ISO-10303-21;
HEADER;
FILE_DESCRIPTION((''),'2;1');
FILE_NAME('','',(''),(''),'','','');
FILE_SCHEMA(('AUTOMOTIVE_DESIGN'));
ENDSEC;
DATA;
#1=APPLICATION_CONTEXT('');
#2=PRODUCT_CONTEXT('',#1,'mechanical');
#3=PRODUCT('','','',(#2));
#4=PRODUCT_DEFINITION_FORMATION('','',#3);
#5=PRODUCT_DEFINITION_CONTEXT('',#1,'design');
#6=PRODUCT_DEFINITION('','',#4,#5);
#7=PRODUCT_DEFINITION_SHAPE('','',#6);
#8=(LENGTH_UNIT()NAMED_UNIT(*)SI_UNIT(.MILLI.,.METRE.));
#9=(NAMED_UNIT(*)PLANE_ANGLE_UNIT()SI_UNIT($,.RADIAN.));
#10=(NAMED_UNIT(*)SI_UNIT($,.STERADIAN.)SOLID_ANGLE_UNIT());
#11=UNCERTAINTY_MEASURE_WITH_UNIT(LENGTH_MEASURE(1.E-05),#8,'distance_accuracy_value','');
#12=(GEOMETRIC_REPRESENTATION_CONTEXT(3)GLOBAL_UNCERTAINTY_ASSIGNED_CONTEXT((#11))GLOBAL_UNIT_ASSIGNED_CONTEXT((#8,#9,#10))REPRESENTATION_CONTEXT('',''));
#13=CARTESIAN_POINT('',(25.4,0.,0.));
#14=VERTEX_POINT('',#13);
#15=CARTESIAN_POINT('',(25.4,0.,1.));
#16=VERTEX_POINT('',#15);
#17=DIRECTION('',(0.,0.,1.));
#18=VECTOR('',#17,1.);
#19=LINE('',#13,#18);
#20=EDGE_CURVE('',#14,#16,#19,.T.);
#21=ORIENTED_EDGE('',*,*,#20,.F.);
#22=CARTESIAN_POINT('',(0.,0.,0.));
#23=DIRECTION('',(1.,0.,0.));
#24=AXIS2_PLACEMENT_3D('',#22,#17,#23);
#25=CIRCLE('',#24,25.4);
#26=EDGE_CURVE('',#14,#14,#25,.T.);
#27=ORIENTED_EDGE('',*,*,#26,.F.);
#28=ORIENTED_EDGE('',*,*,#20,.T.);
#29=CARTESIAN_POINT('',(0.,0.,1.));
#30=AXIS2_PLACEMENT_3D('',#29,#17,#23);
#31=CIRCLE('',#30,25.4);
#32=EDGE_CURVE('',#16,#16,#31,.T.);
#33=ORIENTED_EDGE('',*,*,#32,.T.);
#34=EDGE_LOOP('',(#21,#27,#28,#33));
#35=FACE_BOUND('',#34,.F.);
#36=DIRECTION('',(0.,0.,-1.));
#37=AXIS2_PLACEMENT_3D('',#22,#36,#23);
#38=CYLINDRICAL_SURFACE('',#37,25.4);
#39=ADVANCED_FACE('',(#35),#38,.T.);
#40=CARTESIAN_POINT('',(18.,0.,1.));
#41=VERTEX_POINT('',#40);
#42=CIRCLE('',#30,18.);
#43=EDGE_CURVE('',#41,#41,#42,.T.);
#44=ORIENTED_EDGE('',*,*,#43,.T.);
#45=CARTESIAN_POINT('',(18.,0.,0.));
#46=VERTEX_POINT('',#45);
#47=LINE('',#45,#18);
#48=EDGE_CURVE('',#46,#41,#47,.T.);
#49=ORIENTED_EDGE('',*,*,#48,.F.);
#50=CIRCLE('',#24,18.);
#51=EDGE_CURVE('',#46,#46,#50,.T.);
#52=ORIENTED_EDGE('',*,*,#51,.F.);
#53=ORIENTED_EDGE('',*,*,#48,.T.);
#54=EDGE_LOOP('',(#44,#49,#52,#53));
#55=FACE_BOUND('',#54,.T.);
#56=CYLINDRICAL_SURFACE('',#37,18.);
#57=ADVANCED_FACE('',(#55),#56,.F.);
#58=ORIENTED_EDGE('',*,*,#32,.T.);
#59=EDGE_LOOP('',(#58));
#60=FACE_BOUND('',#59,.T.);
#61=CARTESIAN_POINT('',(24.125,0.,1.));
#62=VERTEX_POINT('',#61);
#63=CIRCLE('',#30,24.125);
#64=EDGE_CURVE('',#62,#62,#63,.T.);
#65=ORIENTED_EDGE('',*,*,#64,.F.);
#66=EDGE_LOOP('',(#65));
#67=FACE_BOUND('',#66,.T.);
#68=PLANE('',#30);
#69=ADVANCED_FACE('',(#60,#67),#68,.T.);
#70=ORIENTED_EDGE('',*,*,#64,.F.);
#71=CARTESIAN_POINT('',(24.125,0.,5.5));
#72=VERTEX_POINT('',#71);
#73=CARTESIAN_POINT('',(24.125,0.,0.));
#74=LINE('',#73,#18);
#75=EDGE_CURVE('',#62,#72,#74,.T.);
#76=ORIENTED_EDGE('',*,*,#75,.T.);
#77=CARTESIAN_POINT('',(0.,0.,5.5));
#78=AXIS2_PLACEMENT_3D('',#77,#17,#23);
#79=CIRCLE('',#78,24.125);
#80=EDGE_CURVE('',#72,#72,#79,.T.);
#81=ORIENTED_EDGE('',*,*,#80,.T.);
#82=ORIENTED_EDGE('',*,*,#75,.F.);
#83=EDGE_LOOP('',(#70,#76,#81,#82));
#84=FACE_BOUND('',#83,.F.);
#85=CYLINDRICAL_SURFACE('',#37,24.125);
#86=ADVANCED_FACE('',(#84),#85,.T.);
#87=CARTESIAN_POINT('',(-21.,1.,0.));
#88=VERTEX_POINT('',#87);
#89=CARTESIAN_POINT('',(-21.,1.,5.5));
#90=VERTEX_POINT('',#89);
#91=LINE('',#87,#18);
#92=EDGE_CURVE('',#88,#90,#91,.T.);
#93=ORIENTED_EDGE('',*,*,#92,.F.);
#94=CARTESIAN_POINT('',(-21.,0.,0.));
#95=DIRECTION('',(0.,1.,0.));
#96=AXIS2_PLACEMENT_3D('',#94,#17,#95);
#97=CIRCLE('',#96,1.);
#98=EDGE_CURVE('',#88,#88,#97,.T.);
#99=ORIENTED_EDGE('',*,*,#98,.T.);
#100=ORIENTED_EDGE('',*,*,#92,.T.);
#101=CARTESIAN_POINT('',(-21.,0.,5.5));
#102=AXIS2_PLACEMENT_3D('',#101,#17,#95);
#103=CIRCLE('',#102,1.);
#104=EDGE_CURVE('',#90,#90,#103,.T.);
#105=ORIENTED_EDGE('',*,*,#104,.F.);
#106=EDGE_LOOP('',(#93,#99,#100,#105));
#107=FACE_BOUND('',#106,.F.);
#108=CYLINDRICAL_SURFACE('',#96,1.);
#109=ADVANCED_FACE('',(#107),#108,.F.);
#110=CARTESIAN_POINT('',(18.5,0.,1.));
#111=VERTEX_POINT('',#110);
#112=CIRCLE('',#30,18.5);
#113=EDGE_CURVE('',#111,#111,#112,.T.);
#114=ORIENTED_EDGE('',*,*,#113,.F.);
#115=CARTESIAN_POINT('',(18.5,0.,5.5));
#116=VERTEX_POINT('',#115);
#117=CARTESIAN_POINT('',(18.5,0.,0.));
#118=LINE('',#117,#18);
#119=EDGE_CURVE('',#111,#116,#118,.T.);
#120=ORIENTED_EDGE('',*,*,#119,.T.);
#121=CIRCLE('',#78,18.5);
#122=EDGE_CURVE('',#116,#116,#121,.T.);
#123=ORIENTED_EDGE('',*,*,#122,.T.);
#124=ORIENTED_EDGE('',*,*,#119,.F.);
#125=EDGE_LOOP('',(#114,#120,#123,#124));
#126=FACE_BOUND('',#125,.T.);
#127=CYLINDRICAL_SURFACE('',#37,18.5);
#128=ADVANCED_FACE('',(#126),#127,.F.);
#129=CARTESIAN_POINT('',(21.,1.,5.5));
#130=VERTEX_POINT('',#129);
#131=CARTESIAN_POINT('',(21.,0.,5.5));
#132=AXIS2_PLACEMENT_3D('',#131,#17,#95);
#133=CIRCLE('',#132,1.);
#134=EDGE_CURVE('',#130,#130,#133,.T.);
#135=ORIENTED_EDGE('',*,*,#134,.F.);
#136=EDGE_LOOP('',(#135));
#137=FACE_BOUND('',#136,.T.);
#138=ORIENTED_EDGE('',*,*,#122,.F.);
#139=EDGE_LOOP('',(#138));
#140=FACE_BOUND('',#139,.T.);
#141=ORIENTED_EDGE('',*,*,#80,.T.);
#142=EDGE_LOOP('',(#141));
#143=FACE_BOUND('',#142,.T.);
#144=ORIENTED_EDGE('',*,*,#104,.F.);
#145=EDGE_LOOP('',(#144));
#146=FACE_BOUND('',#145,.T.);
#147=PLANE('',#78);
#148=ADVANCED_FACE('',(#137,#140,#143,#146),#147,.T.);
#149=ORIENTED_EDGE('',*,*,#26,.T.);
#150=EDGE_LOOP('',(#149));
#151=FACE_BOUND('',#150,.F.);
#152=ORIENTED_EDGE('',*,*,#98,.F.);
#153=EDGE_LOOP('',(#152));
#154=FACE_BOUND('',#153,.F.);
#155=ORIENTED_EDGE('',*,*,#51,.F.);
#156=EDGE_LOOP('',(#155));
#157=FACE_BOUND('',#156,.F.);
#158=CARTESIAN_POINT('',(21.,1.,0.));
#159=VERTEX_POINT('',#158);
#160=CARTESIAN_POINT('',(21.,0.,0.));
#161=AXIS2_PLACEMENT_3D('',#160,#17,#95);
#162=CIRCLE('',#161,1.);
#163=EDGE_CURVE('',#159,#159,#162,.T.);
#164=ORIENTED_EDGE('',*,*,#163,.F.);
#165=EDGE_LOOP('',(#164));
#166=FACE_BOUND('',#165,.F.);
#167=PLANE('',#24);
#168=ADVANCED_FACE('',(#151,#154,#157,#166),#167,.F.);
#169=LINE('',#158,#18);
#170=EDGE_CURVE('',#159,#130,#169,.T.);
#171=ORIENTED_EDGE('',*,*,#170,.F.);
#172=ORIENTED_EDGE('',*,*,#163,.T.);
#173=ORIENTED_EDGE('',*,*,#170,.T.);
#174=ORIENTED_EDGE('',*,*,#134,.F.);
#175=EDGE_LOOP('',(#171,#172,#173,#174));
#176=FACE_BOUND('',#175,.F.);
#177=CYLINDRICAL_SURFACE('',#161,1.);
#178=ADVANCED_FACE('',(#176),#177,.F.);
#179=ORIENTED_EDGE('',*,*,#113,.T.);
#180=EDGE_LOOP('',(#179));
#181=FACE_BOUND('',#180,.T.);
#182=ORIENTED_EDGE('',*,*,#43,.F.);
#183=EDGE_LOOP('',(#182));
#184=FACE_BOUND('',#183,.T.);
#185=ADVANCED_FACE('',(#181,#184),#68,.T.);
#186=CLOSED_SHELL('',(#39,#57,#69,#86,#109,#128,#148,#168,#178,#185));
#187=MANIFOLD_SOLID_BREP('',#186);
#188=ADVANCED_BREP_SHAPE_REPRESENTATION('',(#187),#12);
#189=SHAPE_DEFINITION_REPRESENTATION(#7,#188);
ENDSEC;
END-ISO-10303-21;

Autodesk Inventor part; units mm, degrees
ref_plane "YZ Plane" through (0, 0, 0) normal (1, 0, 0) x (0, 1, 0)
ref_plane "XZ Plane" through (0, 0, 0) normal (0, 1, 0) x (-1, 0, 0)
ref_plane "XY Plane" through (0, 0, 0) normal (0, 0, 1) x (1, 0, 0)
sketch "Sketch1" plane through (0, 0, 0) normal (0, 0, 1) x (1, 0, 0)
  circle A0 centre (0, 0) radius 18.5
  circle A1 centre (0, 0) radius 24.125
  circle A2 centre (0, 0) radius 25.4
  circle A3 centre (0, 0) radius 18
  point P0 (-21, 0)
  point P1 (21, 0)
  dimension "d" = 37
  dimension "d1" = 48.25
  dimension "d2" = 50.8
  dimension "d14" = 21
  dimension "d15" = 21
  dimension "d16" = 36
extrude "Extrusion1" add sketch "Sketch1" along normal blind 5.5 contours A1
extrude "Extrusion2" add sketch "Sketch1" along normal blind 1 contours A2
hole "Hole1" at (-21, 0, 0) at (21, 0, 0) direction (0, 0, 1) diameter 2 end through all
extrude "Extrusion3" add sketch "Sketch1" along normal blind 1 contours A0
properties part number "Adapter-D37mm-SM2"
